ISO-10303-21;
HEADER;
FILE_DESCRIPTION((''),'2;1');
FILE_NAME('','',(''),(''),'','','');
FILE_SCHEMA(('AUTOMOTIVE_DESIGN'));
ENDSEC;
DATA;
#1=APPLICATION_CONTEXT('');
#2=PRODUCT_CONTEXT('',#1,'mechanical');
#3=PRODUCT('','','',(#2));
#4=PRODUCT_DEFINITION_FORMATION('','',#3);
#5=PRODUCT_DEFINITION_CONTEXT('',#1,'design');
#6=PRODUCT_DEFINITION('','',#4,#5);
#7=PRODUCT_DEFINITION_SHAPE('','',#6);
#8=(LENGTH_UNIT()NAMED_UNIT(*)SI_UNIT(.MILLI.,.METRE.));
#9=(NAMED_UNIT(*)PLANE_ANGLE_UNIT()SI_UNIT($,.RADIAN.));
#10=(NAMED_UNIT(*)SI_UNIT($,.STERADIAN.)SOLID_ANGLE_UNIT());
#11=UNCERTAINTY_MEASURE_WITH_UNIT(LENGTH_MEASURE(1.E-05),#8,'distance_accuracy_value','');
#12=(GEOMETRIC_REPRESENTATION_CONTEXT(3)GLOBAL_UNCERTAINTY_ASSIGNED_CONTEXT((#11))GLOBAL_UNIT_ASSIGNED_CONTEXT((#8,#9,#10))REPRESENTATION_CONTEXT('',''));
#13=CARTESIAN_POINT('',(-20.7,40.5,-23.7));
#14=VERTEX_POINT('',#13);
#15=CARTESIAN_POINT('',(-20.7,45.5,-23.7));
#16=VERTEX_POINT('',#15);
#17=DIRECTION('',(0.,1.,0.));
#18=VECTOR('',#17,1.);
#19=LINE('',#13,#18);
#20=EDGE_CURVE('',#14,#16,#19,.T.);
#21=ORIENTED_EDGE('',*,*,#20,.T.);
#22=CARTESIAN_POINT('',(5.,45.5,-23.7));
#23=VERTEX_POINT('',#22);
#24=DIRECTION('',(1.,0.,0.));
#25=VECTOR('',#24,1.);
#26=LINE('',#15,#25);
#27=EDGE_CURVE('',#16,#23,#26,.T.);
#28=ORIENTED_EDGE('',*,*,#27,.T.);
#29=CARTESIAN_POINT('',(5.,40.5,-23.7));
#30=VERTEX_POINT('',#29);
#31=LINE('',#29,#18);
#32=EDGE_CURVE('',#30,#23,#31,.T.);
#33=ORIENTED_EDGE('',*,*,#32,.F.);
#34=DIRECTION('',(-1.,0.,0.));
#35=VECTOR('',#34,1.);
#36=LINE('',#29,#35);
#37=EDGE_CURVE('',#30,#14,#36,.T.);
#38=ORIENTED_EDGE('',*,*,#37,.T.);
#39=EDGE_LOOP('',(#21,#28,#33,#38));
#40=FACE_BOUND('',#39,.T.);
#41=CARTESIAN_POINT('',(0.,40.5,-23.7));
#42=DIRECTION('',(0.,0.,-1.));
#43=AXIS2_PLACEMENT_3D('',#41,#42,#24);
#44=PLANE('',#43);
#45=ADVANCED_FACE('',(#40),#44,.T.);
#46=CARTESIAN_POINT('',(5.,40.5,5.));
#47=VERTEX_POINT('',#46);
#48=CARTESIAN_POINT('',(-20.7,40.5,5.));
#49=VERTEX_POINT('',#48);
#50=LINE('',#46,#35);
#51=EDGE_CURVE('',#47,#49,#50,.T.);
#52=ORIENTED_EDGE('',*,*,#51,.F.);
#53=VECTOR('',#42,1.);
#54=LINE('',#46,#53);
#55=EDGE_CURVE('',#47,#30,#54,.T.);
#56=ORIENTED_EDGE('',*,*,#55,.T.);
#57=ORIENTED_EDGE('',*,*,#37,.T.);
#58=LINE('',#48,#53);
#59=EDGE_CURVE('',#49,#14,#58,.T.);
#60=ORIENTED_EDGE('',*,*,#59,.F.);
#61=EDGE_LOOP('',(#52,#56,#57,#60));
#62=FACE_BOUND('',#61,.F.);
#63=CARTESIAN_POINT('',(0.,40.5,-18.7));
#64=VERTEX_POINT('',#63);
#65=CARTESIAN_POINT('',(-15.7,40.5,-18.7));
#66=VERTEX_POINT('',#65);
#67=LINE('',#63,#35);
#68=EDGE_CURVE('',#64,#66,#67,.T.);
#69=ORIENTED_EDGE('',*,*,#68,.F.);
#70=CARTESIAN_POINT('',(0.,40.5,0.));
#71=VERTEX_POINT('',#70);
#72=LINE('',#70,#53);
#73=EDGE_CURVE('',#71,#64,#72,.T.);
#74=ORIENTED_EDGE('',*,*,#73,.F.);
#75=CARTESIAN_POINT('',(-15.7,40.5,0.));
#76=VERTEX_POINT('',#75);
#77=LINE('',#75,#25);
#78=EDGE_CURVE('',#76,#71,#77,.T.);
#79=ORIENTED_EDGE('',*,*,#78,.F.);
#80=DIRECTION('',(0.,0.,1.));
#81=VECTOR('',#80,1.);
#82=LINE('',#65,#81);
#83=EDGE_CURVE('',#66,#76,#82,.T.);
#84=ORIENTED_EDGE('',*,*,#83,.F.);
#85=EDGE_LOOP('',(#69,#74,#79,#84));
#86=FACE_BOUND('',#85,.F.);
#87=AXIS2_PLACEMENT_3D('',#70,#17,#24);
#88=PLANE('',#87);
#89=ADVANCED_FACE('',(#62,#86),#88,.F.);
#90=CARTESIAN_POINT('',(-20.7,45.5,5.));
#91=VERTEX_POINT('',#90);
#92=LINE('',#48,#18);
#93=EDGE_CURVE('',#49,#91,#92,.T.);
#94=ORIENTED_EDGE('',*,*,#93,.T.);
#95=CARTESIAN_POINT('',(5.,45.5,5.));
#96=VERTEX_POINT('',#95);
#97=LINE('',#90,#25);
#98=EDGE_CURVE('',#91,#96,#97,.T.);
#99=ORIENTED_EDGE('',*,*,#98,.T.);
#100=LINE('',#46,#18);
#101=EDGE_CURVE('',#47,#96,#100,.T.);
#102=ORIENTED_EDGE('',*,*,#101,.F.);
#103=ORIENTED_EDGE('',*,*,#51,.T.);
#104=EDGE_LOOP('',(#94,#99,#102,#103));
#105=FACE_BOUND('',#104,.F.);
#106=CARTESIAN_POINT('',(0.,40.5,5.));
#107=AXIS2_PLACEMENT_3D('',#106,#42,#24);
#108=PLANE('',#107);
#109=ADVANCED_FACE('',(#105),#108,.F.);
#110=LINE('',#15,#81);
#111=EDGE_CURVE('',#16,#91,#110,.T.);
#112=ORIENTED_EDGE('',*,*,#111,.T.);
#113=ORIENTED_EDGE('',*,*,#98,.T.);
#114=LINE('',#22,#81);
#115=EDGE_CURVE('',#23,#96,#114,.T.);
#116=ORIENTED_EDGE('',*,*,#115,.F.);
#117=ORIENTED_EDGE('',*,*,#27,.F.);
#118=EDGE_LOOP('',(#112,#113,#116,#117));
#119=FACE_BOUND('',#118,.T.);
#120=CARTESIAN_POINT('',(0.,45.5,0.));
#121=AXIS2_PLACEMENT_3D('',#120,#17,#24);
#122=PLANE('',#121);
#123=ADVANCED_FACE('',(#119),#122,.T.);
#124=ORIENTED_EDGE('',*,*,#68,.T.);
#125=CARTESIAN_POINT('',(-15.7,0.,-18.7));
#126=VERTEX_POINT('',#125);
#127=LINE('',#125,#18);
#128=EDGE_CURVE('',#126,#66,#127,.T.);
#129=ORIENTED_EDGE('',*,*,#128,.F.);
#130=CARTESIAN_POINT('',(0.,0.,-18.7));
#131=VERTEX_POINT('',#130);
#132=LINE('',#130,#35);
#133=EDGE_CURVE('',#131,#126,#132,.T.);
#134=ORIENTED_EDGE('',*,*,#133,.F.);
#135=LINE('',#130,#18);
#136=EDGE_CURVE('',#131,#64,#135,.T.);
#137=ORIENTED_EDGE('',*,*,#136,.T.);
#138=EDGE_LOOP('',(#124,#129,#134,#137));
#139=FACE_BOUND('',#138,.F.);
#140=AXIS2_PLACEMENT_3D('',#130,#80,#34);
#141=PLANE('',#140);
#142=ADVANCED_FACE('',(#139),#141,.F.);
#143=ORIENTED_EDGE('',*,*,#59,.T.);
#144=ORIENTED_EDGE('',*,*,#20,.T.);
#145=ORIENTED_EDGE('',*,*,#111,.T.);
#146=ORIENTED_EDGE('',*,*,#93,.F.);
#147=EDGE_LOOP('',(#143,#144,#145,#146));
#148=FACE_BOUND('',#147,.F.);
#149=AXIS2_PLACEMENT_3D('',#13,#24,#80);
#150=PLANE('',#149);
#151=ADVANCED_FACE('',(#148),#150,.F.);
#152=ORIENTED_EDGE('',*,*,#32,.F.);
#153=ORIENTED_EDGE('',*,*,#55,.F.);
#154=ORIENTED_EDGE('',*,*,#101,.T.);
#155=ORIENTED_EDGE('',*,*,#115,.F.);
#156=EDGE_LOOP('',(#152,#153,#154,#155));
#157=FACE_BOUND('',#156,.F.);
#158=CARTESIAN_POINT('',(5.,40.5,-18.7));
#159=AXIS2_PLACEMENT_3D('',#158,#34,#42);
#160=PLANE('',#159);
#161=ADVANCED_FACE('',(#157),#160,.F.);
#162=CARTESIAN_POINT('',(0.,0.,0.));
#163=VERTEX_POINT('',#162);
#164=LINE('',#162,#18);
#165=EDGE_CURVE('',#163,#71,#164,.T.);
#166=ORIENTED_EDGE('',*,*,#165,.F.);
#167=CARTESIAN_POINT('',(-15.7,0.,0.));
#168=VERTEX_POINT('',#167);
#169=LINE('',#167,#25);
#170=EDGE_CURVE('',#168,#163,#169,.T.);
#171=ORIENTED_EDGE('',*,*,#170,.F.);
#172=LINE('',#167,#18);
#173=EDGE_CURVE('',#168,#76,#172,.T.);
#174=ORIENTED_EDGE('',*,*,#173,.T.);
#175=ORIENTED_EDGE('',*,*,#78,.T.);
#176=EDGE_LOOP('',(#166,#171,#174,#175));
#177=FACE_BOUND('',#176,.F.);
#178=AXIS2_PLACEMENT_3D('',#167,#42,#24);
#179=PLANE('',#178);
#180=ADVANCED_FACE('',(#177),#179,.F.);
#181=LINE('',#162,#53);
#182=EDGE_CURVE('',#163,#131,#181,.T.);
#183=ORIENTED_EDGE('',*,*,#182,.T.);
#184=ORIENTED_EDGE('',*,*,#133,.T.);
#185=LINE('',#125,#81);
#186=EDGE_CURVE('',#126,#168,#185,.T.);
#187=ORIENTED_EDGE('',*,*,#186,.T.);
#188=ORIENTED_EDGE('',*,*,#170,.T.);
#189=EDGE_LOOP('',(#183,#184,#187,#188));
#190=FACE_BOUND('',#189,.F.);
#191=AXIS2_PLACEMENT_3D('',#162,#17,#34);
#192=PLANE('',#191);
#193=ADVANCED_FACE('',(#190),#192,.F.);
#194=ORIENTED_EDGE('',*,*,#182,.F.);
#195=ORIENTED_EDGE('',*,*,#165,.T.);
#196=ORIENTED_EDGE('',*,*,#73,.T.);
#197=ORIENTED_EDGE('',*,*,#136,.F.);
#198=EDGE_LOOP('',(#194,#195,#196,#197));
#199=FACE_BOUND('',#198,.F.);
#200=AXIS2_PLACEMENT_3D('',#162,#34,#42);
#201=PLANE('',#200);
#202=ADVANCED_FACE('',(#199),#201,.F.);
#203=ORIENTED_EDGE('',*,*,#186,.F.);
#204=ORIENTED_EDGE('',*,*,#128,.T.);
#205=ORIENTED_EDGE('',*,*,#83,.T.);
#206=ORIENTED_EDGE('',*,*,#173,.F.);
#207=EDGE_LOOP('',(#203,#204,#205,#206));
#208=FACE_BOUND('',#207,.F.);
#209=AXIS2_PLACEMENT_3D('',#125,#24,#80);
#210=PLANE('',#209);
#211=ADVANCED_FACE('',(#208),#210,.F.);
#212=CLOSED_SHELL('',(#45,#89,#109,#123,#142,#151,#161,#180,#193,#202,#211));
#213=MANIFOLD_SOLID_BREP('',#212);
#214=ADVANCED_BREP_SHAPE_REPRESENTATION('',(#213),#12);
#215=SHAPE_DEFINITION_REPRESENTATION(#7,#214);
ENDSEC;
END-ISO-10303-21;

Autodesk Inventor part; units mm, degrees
ref_plane "YZ Plane" through (0, 0, 0) normal (1, 0, 0) x (0, 1, 0)
ref_plane "XZ Plane" through (0, 0, 0) normal (0, 1, 0) x (-1, 0, 0)
ref_plane "XY Plane" through (0, 0, 0) normal (0, 0, 1) x (1, 0, 0)
sketch "Sketch1" plane through (0, 0, 0) normal (0, 1, 0) x (-1, 0, 0)
  line L0 (0, 0) -> (0, -18.7)
  line L1 (0, -18.7) -> (0, -11.8708)
  line L2 (0, -18.7) -> (15.7, -18.7)
  line L3 (15.7, -18.7) -> (15.7, 0)
  line L4 (15.7, 0) -> (0, 0)
  dimension "d0" = 18.7
  dimension "d1" = 15.7
extrude "Extrusion1" add sketch "Sketch1" along normal blind 40.5
sketch "Sketch2" plane through (0, 40.5, 0) normal (0, 1, 0) x (1, 0, 0)
  line L0 (0, 0) -> (0, 18.7) projected
  line L1 (0, 18.7) -> (0, 23.7)
  line L2 (0, 23.7) -> (-15.7, 23.7)
  line L3 (-15.7, 23.7) -> (-20.7, 23.7)
  line L4 (-20.7, 23.7) -> (-20.7, 0)
  line L5 (-20.7, 0) -> (-20.7, -5)
  line L6 (-20.7, -5) -> (0, -5)
  line L7 (0, -5) -> (5, -5)
  line L8 (5, -5) -> (5, 18.7)
  line L9 (5, 18.7) -> (5, 23.7)
  line L10 (0, 23.7) -> (5, 23.7)
  dimension "d4" = 5
  dimension "d5" = 5
  dimension "d6" = 5
  dimension "d7" = 5
extrude "Extrusion2" add sketch "Sketch2" along normal blind 5
properties part number "chaveta"
